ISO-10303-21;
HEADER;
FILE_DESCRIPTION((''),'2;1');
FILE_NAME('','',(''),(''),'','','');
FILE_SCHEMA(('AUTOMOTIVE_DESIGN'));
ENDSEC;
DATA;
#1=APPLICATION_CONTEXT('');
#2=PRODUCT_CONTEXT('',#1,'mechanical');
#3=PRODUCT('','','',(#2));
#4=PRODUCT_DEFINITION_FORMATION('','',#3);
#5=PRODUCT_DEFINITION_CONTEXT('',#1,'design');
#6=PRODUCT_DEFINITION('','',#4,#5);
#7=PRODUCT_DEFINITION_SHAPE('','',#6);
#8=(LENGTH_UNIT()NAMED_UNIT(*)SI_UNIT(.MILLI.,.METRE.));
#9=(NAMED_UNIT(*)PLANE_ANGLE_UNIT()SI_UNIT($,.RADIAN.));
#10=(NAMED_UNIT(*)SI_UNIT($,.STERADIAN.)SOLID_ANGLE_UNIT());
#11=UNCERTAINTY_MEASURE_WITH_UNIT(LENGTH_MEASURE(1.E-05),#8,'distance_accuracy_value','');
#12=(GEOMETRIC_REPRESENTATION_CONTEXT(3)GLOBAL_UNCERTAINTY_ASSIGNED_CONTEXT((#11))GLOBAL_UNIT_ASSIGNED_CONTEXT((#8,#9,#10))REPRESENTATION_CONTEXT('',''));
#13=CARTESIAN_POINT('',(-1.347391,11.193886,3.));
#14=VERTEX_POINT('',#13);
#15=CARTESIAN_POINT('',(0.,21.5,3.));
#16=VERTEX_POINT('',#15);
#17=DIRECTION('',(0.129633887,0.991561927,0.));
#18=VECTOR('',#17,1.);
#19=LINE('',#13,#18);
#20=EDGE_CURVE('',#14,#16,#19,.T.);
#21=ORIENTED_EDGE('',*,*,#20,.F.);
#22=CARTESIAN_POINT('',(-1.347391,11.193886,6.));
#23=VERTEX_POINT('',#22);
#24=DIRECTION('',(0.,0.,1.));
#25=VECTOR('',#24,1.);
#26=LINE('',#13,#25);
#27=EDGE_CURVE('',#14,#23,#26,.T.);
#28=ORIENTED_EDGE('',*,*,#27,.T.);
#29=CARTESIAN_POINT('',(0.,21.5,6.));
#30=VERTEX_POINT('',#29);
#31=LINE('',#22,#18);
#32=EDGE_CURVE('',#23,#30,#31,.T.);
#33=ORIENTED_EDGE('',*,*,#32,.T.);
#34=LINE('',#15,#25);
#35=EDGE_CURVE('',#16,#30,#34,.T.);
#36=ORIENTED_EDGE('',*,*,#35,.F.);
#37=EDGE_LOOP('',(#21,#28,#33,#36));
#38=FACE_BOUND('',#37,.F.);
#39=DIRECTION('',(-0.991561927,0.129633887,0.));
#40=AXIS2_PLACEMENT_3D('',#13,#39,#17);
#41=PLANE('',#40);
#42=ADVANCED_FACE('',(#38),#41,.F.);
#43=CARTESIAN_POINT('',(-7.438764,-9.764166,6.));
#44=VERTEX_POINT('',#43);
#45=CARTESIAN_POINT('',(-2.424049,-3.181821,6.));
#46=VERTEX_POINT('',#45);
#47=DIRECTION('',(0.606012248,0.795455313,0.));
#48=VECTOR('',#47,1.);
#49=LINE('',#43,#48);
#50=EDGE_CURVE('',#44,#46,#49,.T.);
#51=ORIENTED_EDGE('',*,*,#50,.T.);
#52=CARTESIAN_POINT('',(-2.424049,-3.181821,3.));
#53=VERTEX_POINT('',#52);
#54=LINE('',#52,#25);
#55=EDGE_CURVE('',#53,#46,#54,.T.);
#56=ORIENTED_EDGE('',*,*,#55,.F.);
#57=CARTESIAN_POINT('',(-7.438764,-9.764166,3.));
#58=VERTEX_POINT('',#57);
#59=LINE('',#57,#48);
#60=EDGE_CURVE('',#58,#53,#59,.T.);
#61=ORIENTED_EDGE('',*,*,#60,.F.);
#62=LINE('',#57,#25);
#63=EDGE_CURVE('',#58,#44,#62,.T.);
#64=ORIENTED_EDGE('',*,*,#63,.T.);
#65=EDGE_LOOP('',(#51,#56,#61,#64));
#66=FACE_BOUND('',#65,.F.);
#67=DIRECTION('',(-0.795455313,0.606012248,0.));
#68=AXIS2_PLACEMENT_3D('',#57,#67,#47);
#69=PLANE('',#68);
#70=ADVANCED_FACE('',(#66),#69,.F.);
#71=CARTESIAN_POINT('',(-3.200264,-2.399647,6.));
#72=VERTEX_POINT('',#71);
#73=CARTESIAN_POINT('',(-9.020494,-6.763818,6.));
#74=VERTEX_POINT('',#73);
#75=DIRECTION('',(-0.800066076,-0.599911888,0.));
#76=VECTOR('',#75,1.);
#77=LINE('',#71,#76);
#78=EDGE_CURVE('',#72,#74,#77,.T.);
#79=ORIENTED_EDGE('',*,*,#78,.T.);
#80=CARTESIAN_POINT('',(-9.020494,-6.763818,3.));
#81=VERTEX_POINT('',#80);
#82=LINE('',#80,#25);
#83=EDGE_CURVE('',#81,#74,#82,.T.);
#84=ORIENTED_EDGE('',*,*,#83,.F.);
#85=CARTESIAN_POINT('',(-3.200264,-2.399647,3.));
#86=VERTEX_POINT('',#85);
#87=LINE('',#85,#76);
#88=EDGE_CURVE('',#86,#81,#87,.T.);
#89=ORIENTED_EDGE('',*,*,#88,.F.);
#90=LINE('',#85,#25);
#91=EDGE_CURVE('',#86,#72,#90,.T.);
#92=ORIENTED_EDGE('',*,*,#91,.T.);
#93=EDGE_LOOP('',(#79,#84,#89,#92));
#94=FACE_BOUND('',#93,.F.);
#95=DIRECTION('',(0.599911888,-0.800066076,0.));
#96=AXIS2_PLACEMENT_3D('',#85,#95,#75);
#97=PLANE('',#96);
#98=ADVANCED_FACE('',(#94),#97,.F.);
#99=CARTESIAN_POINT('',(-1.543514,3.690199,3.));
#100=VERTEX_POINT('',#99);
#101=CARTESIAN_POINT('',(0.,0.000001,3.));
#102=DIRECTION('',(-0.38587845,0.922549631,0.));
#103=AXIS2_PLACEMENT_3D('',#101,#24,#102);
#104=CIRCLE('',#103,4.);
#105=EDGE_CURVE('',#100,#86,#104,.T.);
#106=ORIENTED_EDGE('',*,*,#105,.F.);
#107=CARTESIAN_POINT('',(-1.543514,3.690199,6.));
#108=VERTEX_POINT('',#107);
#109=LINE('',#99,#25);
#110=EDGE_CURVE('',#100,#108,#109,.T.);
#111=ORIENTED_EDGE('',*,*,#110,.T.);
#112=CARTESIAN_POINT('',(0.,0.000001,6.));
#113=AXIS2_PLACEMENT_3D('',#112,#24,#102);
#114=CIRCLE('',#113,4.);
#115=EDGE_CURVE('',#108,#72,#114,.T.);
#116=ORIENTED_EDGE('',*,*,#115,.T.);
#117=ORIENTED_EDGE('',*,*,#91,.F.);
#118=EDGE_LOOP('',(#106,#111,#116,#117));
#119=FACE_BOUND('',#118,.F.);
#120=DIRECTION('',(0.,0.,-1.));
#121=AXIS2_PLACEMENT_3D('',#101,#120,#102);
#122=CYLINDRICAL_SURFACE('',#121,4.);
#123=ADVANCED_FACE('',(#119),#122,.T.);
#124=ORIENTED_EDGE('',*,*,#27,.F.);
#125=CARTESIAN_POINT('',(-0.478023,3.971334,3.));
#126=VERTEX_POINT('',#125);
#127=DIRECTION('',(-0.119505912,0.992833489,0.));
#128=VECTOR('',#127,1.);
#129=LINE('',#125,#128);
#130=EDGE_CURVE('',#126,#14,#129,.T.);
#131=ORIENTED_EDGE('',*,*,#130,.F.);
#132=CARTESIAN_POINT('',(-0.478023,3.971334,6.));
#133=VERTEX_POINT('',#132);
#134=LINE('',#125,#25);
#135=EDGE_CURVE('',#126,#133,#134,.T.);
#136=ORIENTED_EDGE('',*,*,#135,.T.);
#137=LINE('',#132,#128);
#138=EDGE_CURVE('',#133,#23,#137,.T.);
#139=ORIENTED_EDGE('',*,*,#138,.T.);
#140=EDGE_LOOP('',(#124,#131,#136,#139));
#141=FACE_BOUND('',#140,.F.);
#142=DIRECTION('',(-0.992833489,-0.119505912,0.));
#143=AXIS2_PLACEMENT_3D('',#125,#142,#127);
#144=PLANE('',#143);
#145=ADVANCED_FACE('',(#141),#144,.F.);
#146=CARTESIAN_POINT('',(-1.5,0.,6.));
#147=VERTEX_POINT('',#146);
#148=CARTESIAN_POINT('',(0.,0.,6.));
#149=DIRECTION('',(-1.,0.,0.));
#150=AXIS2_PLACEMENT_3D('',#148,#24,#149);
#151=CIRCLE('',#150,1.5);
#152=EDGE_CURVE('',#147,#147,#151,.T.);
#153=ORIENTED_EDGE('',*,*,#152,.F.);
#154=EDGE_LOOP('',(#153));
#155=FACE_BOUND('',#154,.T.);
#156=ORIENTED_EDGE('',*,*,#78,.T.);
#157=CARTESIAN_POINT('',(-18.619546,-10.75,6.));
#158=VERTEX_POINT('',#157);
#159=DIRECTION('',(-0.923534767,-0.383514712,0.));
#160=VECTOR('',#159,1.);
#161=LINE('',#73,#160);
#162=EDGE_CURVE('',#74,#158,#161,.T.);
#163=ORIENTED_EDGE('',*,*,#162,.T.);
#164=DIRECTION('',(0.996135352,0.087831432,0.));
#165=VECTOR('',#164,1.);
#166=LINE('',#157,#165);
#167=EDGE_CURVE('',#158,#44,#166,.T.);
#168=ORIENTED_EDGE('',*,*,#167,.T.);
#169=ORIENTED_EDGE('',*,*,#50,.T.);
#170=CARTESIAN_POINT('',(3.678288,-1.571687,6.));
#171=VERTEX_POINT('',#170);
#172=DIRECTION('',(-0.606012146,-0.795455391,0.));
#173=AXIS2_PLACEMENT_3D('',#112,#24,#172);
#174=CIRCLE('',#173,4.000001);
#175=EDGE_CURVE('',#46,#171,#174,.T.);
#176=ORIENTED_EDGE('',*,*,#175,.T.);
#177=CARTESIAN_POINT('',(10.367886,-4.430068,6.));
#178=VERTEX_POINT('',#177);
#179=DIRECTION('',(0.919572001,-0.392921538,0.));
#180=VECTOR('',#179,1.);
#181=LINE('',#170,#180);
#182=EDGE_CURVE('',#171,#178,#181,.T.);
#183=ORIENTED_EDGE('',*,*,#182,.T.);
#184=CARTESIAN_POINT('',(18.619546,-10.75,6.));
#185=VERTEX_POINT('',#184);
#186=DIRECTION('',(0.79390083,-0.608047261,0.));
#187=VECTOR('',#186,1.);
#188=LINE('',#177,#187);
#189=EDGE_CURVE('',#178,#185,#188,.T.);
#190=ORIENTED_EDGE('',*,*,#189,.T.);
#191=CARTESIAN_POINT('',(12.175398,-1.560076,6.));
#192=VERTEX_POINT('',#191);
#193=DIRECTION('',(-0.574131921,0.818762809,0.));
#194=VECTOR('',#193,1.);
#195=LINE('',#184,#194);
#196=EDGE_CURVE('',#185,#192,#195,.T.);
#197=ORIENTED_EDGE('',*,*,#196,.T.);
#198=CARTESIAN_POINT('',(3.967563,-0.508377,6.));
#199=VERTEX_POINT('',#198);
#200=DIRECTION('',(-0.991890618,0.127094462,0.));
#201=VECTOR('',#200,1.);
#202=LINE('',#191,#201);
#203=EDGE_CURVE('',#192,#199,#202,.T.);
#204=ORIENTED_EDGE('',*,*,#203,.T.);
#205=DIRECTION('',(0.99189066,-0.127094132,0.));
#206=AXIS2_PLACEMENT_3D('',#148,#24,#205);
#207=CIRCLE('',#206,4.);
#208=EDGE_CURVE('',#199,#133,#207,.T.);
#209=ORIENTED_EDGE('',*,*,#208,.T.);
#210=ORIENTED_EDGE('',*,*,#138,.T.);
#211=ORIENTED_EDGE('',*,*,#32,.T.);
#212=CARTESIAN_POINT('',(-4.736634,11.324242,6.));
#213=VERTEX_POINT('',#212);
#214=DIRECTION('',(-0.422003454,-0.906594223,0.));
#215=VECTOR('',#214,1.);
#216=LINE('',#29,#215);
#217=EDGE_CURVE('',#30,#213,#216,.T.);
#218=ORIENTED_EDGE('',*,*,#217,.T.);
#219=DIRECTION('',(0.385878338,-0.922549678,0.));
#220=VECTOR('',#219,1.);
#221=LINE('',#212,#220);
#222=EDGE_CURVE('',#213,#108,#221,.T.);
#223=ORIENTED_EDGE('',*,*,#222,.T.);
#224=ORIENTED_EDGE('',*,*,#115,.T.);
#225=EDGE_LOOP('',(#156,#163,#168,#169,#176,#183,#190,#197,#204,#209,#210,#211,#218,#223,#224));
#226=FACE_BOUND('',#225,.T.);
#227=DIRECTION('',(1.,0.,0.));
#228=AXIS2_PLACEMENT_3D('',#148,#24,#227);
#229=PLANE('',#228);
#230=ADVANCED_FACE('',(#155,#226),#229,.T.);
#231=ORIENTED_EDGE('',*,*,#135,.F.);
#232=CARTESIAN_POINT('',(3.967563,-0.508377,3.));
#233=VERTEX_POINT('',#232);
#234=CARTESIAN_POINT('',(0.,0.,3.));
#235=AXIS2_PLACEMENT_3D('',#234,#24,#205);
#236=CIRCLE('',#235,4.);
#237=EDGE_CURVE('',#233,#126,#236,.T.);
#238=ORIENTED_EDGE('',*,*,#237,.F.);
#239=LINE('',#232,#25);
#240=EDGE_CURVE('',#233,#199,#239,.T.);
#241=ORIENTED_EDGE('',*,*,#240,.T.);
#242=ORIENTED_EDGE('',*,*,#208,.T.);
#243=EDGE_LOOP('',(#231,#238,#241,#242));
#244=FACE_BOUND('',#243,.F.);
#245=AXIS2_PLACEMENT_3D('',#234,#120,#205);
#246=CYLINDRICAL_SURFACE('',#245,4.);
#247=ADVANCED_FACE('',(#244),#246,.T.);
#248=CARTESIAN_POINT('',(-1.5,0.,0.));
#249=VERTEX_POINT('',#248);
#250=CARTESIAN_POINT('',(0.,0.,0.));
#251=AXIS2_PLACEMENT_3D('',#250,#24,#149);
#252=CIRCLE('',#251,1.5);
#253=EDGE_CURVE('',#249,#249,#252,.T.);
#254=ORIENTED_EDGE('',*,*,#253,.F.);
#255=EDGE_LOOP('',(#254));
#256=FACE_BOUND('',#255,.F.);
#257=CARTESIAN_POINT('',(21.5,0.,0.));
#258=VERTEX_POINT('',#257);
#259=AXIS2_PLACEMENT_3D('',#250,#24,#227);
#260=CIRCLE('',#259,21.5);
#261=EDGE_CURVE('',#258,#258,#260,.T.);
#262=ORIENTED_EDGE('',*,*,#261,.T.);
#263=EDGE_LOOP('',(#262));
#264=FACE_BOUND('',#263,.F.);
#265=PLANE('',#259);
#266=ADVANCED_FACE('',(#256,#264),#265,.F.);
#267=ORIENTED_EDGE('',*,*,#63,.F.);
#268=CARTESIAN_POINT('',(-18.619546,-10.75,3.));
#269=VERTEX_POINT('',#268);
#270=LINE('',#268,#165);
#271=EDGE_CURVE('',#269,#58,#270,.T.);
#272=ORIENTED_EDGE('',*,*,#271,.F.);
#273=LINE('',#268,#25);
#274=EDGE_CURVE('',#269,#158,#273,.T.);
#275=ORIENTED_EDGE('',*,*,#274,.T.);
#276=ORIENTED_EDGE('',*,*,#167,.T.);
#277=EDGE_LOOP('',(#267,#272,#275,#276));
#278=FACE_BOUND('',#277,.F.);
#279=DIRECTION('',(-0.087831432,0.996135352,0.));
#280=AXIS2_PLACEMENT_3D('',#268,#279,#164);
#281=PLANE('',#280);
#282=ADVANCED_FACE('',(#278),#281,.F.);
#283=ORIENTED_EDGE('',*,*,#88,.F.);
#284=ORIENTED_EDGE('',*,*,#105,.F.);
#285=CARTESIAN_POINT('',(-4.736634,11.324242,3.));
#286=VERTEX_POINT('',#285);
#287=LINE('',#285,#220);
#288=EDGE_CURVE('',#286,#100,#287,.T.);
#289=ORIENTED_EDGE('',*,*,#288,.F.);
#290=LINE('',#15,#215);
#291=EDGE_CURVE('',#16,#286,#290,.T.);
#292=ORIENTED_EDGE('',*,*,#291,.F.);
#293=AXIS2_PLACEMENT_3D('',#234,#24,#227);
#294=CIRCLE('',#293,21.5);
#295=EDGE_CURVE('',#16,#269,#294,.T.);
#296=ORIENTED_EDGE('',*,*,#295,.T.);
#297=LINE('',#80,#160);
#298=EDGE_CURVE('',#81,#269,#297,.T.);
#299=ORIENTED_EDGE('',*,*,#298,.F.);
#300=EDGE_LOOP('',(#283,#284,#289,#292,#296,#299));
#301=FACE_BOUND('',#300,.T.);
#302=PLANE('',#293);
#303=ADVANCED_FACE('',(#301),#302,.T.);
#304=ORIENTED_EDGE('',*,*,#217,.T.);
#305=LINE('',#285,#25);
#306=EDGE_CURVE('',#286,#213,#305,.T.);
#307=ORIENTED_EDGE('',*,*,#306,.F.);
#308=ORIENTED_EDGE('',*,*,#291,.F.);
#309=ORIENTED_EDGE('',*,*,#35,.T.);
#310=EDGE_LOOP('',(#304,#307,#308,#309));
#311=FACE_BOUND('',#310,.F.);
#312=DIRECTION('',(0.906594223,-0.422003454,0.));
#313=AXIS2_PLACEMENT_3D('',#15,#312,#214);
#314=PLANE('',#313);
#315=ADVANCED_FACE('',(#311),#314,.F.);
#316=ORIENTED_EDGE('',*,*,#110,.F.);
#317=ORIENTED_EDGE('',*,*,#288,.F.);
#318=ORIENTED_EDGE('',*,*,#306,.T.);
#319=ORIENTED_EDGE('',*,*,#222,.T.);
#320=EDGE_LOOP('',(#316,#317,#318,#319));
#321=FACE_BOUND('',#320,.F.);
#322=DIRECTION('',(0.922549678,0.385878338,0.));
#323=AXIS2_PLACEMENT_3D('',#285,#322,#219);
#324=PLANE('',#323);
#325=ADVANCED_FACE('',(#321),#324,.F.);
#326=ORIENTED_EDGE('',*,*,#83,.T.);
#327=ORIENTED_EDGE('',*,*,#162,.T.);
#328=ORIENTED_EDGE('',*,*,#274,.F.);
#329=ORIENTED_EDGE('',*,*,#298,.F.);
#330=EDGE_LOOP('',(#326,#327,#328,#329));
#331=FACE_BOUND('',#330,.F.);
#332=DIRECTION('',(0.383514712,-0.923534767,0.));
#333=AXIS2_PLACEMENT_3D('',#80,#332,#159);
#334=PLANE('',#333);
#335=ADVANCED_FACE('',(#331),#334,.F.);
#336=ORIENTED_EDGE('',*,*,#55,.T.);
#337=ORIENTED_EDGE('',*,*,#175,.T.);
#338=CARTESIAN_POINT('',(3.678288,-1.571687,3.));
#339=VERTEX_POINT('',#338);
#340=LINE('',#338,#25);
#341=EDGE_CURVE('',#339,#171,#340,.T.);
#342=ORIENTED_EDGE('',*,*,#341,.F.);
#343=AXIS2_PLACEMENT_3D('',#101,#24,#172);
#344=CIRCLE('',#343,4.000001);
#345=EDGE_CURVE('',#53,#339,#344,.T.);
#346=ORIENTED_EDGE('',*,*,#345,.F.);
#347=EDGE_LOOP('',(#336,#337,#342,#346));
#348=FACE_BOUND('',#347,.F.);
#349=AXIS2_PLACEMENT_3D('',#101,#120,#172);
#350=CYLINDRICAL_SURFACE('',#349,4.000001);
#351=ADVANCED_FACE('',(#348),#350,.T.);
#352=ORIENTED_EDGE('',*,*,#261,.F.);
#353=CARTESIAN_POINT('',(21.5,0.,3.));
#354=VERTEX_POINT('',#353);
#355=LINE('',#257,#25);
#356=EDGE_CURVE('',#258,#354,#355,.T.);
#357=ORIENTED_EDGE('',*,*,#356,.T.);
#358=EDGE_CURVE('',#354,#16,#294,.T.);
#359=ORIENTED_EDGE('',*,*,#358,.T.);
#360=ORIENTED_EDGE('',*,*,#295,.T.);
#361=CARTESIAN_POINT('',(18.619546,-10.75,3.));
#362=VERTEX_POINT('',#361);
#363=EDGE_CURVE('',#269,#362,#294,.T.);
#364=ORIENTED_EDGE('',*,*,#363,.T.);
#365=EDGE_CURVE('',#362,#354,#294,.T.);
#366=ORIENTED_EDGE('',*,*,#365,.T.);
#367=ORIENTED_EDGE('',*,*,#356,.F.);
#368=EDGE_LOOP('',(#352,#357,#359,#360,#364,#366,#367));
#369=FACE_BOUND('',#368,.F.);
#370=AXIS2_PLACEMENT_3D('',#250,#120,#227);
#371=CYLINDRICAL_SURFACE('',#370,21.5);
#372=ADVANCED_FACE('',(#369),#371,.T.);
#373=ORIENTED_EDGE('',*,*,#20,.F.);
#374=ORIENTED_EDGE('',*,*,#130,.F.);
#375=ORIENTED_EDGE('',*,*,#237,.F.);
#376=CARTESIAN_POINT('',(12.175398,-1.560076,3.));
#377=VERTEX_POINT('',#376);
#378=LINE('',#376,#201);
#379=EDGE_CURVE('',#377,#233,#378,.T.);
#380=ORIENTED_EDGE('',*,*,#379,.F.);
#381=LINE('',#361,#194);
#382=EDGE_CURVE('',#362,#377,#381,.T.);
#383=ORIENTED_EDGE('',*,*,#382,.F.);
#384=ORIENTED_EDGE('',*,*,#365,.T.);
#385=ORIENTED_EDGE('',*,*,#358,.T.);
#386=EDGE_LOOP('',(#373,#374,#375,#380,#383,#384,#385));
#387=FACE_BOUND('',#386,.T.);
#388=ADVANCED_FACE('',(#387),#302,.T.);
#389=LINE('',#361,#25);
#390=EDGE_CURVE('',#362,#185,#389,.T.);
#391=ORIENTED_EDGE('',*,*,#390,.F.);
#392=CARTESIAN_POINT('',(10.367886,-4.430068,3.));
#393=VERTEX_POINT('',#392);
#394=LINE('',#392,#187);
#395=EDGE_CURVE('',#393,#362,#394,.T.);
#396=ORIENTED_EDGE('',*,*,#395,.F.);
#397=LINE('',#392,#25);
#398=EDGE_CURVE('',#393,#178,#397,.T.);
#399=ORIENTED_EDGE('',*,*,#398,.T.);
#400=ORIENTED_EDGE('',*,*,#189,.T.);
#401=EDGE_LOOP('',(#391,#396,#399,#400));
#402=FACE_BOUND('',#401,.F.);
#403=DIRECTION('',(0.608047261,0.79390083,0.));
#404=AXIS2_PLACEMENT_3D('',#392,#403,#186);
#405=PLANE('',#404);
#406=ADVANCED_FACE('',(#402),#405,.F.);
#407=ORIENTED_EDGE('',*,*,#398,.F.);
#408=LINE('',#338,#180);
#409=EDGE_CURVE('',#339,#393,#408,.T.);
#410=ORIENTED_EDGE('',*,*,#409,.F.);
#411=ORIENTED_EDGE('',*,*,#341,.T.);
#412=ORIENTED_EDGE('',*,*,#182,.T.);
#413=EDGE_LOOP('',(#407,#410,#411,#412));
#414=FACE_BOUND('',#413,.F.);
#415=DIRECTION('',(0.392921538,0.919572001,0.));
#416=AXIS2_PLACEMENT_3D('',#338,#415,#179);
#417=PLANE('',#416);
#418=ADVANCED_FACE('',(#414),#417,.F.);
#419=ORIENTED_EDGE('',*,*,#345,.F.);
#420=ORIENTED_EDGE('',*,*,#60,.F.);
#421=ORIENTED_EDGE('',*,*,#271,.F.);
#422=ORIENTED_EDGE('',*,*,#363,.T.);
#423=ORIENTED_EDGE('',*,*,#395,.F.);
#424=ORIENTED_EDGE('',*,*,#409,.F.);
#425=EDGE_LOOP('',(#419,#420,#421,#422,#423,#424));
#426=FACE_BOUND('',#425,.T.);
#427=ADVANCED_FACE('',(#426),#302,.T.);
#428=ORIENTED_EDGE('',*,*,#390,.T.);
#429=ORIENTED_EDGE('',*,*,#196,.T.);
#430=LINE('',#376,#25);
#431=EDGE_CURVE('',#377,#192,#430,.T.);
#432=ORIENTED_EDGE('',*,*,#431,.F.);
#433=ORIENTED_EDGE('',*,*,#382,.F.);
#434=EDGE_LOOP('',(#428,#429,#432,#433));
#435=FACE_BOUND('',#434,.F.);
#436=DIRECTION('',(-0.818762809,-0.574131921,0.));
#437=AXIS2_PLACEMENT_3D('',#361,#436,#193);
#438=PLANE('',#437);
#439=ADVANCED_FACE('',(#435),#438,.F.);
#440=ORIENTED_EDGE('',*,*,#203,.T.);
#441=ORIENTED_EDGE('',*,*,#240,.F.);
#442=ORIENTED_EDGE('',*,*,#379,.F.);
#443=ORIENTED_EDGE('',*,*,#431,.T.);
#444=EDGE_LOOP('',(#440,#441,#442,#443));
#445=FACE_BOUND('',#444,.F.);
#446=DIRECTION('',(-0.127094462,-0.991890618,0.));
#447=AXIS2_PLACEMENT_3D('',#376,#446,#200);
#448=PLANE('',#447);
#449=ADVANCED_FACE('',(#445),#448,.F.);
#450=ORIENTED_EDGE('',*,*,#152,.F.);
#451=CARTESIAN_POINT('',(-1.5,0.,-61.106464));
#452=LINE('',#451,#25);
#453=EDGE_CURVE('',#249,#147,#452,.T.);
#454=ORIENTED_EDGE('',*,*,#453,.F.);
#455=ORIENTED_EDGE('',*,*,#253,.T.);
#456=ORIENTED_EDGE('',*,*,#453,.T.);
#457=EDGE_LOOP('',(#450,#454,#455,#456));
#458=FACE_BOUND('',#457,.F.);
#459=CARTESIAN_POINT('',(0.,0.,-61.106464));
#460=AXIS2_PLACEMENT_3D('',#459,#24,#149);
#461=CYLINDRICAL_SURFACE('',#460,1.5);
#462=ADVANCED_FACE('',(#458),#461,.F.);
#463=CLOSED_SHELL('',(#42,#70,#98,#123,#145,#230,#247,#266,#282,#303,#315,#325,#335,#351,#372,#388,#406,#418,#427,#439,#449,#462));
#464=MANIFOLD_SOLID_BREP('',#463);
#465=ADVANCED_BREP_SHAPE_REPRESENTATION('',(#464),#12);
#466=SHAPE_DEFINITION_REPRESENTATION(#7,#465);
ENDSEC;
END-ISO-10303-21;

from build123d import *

# Parameters (mm, degrees)
F0_R     = 21.5
F1_DEPTH = 3
F2_R     = 1
F3_DEPTH = 3
F4_D     = 3


with BuildPart() as f1:
    # F0 (on Top) → F1 (new body)
    with BuildSketch(Plane.XY):
        Circle(F0_R)
    extrude(amount=F1_DEPTH)

    # F2 (on face) → F3 (join)
    with BuildSketch(Plane.XY.offset(3)):
        with BuildLine():
            Line((-1.347391, 11.193886), (0, 21.5))
            Line((0, 21.5), (-4.736634, 11.324242))
            Line((-4.736634, 11.324242), (-1.543514, 3.690199))
            ThreePointArc((-1.543514, 3.690199), (-3.859717, 1.050041), (-3.200264, -2.399647))
            Line((-3.200264, -2.399647), (-9.020494, -6.763818))
            Line((-9.020494, -6.763818), (-18.619546, -10.75))
            Line((-18.619546, -10.75), (-7.438764, -9.764166))
            Line((-7.438764, -9.764166), (-2.424049, -3.181821))
            ThreePointArc((-2.424049, -3.181821), (1.020496, -3.867633), (3.678288, -1.571687))
            Line((3.678288, -1.571687), (10.367886, -4.430068))
            Line((10.367886, -4.430068), (18.619546, -10.75))
            Line((18.619546, -10.75), (12.175398, -1.560076))
            Line((12.175398, -1.560076), (3.967563, -0.508377))
            ThreePointArc((3.967563, -0.508377), (2.839221, 2.817592), (-0.478023, 3.971334))
            Line((-0.478023, 3.971334), (-1.347391, 11.193886))
        make_face()
        Circle(F2_R, mode=Mode.SUBTRACT)
    extrude(amount=F3_DEPTH)

    # F4 (through all)
    with Locations(Plane(origin=(0, 0, 0), x_dir=(1, 0, 0), z_dir=(0, 0, -1))):
        with Locations((0, 0)):
            Hole(F4_D / 2)


solid = f1.part
